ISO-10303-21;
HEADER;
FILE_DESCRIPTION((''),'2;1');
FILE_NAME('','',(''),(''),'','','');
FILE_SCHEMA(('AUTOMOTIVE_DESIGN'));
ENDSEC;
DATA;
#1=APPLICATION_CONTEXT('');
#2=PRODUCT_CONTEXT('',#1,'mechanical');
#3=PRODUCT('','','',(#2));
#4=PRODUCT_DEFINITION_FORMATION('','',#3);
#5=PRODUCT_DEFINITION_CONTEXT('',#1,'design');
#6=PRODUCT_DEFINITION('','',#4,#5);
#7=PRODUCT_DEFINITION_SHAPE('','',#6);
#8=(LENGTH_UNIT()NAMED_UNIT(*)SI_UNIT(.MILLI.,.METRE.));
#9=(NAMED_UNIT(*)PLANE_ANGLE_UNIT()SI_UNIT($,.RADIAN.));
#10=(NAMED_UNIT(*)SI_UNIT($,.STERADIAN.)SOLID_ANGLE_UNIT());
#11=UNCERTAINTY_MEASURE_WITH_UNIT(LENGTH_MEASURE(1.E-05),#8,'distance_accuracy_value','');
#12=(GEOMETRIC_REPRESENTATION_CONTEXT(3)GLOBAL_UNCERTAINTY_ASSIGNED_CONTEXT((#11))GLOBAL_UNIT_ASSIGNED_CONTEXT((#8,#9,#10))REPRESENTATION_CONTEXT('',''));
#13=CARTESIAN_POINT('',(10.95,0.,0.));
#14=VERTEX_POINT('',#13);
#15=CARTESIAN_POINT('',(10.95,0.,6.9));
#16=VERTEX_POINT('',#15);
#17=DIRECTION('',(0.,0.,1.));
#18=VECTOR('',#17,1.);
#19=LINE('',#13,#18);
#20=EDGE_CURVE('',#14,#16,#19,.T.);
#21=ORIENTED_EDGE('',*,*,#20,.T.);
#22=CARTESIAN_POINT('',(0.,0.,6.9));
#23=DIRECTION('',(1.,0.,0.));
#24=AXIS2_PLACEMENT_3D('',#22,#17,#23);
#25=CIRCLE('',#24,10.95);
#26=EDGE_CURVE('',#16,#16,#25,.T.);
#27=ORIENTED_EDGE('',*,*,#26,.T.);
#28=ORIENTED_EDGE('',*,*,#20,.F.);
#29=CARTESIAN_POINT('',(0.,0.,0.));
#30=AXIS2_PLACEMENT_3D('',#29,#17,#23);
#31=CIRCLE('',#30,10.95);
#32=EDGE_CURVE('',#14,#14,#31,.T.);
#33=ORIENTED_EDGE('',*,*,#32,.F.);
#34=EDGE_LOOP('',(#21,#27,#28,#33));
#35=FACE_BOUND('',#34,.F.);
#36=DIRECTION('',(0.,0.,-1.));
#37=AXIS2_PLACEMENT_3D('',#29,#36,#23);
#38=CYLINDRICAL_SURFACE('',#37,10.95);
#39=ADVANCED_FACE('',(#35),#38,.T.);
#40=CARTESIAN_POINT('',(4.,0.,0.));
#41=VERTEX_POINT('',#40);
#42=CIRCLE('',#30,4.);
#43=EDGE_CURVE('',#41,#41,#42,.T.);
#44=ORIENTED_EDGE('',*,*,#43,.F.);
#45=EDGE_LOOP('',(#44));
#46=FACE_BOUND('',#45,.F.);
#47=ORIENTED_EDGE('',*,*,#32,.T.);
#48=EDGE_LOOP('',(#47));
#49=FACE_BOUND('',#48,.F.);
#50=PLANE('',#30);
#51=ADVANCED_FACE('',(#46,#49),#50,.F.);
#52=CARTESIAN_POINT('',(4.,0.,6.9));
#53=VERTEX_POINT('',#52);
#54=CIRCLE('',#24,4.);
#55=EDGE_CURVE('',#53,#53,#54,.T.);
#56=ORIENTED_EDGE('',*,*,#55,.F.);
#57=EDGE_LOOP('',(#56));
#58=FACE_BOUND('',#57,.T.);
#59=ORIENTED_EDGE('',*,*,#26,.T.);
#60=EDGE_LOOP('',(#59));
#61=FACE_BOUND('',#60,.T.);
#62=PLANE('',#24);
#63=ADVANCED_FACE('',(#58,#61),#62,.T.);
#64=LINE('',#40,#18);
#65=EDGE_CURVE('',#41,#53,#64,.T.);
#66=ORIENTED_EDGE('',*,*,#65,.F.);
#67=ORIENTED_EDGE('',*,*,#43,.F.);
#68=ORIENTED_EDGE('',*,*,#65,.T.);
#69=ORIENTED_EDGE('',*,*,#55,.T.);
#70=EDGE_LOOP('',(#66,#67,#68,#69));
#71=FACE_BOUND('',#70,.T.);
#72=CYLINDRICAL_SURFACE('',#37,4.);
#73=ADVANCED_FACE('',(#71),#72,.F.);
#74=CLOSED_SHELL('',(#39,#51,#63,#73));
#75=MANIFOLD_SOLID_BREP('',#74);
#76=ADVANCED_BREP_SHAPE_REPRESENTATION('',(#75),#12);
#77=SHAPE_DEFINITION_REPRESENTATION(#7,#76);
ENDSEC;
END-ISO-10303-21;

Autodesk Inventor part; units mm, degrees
ref_plane "YZ Plane" through (0, 0, 0) normal (1, 0, 0) x (0, 1, 0)
ref_plane "XZ Plane" through (0, 0, 0) normal (0, 1, 0) x (-1, 0, 0)
ref_plane "XY Plane" through (0, 0, 0) normal (0, 0, 1) x (1, 0, 0)
sketch "Sketch1" plane through (0, 0, 0) normal (0, 0, 1) x (1, 0, 0)
  circle A0 centre (0, 0) radius 4
  circle A1 centre (0, 0) radius 10.95
  dimension "d0" = 8
  dimension "d1" = 21.9
extrude "Extrusion1" add sketch "Sketch1" along normal blind 6.9
properties part number "bearing"
